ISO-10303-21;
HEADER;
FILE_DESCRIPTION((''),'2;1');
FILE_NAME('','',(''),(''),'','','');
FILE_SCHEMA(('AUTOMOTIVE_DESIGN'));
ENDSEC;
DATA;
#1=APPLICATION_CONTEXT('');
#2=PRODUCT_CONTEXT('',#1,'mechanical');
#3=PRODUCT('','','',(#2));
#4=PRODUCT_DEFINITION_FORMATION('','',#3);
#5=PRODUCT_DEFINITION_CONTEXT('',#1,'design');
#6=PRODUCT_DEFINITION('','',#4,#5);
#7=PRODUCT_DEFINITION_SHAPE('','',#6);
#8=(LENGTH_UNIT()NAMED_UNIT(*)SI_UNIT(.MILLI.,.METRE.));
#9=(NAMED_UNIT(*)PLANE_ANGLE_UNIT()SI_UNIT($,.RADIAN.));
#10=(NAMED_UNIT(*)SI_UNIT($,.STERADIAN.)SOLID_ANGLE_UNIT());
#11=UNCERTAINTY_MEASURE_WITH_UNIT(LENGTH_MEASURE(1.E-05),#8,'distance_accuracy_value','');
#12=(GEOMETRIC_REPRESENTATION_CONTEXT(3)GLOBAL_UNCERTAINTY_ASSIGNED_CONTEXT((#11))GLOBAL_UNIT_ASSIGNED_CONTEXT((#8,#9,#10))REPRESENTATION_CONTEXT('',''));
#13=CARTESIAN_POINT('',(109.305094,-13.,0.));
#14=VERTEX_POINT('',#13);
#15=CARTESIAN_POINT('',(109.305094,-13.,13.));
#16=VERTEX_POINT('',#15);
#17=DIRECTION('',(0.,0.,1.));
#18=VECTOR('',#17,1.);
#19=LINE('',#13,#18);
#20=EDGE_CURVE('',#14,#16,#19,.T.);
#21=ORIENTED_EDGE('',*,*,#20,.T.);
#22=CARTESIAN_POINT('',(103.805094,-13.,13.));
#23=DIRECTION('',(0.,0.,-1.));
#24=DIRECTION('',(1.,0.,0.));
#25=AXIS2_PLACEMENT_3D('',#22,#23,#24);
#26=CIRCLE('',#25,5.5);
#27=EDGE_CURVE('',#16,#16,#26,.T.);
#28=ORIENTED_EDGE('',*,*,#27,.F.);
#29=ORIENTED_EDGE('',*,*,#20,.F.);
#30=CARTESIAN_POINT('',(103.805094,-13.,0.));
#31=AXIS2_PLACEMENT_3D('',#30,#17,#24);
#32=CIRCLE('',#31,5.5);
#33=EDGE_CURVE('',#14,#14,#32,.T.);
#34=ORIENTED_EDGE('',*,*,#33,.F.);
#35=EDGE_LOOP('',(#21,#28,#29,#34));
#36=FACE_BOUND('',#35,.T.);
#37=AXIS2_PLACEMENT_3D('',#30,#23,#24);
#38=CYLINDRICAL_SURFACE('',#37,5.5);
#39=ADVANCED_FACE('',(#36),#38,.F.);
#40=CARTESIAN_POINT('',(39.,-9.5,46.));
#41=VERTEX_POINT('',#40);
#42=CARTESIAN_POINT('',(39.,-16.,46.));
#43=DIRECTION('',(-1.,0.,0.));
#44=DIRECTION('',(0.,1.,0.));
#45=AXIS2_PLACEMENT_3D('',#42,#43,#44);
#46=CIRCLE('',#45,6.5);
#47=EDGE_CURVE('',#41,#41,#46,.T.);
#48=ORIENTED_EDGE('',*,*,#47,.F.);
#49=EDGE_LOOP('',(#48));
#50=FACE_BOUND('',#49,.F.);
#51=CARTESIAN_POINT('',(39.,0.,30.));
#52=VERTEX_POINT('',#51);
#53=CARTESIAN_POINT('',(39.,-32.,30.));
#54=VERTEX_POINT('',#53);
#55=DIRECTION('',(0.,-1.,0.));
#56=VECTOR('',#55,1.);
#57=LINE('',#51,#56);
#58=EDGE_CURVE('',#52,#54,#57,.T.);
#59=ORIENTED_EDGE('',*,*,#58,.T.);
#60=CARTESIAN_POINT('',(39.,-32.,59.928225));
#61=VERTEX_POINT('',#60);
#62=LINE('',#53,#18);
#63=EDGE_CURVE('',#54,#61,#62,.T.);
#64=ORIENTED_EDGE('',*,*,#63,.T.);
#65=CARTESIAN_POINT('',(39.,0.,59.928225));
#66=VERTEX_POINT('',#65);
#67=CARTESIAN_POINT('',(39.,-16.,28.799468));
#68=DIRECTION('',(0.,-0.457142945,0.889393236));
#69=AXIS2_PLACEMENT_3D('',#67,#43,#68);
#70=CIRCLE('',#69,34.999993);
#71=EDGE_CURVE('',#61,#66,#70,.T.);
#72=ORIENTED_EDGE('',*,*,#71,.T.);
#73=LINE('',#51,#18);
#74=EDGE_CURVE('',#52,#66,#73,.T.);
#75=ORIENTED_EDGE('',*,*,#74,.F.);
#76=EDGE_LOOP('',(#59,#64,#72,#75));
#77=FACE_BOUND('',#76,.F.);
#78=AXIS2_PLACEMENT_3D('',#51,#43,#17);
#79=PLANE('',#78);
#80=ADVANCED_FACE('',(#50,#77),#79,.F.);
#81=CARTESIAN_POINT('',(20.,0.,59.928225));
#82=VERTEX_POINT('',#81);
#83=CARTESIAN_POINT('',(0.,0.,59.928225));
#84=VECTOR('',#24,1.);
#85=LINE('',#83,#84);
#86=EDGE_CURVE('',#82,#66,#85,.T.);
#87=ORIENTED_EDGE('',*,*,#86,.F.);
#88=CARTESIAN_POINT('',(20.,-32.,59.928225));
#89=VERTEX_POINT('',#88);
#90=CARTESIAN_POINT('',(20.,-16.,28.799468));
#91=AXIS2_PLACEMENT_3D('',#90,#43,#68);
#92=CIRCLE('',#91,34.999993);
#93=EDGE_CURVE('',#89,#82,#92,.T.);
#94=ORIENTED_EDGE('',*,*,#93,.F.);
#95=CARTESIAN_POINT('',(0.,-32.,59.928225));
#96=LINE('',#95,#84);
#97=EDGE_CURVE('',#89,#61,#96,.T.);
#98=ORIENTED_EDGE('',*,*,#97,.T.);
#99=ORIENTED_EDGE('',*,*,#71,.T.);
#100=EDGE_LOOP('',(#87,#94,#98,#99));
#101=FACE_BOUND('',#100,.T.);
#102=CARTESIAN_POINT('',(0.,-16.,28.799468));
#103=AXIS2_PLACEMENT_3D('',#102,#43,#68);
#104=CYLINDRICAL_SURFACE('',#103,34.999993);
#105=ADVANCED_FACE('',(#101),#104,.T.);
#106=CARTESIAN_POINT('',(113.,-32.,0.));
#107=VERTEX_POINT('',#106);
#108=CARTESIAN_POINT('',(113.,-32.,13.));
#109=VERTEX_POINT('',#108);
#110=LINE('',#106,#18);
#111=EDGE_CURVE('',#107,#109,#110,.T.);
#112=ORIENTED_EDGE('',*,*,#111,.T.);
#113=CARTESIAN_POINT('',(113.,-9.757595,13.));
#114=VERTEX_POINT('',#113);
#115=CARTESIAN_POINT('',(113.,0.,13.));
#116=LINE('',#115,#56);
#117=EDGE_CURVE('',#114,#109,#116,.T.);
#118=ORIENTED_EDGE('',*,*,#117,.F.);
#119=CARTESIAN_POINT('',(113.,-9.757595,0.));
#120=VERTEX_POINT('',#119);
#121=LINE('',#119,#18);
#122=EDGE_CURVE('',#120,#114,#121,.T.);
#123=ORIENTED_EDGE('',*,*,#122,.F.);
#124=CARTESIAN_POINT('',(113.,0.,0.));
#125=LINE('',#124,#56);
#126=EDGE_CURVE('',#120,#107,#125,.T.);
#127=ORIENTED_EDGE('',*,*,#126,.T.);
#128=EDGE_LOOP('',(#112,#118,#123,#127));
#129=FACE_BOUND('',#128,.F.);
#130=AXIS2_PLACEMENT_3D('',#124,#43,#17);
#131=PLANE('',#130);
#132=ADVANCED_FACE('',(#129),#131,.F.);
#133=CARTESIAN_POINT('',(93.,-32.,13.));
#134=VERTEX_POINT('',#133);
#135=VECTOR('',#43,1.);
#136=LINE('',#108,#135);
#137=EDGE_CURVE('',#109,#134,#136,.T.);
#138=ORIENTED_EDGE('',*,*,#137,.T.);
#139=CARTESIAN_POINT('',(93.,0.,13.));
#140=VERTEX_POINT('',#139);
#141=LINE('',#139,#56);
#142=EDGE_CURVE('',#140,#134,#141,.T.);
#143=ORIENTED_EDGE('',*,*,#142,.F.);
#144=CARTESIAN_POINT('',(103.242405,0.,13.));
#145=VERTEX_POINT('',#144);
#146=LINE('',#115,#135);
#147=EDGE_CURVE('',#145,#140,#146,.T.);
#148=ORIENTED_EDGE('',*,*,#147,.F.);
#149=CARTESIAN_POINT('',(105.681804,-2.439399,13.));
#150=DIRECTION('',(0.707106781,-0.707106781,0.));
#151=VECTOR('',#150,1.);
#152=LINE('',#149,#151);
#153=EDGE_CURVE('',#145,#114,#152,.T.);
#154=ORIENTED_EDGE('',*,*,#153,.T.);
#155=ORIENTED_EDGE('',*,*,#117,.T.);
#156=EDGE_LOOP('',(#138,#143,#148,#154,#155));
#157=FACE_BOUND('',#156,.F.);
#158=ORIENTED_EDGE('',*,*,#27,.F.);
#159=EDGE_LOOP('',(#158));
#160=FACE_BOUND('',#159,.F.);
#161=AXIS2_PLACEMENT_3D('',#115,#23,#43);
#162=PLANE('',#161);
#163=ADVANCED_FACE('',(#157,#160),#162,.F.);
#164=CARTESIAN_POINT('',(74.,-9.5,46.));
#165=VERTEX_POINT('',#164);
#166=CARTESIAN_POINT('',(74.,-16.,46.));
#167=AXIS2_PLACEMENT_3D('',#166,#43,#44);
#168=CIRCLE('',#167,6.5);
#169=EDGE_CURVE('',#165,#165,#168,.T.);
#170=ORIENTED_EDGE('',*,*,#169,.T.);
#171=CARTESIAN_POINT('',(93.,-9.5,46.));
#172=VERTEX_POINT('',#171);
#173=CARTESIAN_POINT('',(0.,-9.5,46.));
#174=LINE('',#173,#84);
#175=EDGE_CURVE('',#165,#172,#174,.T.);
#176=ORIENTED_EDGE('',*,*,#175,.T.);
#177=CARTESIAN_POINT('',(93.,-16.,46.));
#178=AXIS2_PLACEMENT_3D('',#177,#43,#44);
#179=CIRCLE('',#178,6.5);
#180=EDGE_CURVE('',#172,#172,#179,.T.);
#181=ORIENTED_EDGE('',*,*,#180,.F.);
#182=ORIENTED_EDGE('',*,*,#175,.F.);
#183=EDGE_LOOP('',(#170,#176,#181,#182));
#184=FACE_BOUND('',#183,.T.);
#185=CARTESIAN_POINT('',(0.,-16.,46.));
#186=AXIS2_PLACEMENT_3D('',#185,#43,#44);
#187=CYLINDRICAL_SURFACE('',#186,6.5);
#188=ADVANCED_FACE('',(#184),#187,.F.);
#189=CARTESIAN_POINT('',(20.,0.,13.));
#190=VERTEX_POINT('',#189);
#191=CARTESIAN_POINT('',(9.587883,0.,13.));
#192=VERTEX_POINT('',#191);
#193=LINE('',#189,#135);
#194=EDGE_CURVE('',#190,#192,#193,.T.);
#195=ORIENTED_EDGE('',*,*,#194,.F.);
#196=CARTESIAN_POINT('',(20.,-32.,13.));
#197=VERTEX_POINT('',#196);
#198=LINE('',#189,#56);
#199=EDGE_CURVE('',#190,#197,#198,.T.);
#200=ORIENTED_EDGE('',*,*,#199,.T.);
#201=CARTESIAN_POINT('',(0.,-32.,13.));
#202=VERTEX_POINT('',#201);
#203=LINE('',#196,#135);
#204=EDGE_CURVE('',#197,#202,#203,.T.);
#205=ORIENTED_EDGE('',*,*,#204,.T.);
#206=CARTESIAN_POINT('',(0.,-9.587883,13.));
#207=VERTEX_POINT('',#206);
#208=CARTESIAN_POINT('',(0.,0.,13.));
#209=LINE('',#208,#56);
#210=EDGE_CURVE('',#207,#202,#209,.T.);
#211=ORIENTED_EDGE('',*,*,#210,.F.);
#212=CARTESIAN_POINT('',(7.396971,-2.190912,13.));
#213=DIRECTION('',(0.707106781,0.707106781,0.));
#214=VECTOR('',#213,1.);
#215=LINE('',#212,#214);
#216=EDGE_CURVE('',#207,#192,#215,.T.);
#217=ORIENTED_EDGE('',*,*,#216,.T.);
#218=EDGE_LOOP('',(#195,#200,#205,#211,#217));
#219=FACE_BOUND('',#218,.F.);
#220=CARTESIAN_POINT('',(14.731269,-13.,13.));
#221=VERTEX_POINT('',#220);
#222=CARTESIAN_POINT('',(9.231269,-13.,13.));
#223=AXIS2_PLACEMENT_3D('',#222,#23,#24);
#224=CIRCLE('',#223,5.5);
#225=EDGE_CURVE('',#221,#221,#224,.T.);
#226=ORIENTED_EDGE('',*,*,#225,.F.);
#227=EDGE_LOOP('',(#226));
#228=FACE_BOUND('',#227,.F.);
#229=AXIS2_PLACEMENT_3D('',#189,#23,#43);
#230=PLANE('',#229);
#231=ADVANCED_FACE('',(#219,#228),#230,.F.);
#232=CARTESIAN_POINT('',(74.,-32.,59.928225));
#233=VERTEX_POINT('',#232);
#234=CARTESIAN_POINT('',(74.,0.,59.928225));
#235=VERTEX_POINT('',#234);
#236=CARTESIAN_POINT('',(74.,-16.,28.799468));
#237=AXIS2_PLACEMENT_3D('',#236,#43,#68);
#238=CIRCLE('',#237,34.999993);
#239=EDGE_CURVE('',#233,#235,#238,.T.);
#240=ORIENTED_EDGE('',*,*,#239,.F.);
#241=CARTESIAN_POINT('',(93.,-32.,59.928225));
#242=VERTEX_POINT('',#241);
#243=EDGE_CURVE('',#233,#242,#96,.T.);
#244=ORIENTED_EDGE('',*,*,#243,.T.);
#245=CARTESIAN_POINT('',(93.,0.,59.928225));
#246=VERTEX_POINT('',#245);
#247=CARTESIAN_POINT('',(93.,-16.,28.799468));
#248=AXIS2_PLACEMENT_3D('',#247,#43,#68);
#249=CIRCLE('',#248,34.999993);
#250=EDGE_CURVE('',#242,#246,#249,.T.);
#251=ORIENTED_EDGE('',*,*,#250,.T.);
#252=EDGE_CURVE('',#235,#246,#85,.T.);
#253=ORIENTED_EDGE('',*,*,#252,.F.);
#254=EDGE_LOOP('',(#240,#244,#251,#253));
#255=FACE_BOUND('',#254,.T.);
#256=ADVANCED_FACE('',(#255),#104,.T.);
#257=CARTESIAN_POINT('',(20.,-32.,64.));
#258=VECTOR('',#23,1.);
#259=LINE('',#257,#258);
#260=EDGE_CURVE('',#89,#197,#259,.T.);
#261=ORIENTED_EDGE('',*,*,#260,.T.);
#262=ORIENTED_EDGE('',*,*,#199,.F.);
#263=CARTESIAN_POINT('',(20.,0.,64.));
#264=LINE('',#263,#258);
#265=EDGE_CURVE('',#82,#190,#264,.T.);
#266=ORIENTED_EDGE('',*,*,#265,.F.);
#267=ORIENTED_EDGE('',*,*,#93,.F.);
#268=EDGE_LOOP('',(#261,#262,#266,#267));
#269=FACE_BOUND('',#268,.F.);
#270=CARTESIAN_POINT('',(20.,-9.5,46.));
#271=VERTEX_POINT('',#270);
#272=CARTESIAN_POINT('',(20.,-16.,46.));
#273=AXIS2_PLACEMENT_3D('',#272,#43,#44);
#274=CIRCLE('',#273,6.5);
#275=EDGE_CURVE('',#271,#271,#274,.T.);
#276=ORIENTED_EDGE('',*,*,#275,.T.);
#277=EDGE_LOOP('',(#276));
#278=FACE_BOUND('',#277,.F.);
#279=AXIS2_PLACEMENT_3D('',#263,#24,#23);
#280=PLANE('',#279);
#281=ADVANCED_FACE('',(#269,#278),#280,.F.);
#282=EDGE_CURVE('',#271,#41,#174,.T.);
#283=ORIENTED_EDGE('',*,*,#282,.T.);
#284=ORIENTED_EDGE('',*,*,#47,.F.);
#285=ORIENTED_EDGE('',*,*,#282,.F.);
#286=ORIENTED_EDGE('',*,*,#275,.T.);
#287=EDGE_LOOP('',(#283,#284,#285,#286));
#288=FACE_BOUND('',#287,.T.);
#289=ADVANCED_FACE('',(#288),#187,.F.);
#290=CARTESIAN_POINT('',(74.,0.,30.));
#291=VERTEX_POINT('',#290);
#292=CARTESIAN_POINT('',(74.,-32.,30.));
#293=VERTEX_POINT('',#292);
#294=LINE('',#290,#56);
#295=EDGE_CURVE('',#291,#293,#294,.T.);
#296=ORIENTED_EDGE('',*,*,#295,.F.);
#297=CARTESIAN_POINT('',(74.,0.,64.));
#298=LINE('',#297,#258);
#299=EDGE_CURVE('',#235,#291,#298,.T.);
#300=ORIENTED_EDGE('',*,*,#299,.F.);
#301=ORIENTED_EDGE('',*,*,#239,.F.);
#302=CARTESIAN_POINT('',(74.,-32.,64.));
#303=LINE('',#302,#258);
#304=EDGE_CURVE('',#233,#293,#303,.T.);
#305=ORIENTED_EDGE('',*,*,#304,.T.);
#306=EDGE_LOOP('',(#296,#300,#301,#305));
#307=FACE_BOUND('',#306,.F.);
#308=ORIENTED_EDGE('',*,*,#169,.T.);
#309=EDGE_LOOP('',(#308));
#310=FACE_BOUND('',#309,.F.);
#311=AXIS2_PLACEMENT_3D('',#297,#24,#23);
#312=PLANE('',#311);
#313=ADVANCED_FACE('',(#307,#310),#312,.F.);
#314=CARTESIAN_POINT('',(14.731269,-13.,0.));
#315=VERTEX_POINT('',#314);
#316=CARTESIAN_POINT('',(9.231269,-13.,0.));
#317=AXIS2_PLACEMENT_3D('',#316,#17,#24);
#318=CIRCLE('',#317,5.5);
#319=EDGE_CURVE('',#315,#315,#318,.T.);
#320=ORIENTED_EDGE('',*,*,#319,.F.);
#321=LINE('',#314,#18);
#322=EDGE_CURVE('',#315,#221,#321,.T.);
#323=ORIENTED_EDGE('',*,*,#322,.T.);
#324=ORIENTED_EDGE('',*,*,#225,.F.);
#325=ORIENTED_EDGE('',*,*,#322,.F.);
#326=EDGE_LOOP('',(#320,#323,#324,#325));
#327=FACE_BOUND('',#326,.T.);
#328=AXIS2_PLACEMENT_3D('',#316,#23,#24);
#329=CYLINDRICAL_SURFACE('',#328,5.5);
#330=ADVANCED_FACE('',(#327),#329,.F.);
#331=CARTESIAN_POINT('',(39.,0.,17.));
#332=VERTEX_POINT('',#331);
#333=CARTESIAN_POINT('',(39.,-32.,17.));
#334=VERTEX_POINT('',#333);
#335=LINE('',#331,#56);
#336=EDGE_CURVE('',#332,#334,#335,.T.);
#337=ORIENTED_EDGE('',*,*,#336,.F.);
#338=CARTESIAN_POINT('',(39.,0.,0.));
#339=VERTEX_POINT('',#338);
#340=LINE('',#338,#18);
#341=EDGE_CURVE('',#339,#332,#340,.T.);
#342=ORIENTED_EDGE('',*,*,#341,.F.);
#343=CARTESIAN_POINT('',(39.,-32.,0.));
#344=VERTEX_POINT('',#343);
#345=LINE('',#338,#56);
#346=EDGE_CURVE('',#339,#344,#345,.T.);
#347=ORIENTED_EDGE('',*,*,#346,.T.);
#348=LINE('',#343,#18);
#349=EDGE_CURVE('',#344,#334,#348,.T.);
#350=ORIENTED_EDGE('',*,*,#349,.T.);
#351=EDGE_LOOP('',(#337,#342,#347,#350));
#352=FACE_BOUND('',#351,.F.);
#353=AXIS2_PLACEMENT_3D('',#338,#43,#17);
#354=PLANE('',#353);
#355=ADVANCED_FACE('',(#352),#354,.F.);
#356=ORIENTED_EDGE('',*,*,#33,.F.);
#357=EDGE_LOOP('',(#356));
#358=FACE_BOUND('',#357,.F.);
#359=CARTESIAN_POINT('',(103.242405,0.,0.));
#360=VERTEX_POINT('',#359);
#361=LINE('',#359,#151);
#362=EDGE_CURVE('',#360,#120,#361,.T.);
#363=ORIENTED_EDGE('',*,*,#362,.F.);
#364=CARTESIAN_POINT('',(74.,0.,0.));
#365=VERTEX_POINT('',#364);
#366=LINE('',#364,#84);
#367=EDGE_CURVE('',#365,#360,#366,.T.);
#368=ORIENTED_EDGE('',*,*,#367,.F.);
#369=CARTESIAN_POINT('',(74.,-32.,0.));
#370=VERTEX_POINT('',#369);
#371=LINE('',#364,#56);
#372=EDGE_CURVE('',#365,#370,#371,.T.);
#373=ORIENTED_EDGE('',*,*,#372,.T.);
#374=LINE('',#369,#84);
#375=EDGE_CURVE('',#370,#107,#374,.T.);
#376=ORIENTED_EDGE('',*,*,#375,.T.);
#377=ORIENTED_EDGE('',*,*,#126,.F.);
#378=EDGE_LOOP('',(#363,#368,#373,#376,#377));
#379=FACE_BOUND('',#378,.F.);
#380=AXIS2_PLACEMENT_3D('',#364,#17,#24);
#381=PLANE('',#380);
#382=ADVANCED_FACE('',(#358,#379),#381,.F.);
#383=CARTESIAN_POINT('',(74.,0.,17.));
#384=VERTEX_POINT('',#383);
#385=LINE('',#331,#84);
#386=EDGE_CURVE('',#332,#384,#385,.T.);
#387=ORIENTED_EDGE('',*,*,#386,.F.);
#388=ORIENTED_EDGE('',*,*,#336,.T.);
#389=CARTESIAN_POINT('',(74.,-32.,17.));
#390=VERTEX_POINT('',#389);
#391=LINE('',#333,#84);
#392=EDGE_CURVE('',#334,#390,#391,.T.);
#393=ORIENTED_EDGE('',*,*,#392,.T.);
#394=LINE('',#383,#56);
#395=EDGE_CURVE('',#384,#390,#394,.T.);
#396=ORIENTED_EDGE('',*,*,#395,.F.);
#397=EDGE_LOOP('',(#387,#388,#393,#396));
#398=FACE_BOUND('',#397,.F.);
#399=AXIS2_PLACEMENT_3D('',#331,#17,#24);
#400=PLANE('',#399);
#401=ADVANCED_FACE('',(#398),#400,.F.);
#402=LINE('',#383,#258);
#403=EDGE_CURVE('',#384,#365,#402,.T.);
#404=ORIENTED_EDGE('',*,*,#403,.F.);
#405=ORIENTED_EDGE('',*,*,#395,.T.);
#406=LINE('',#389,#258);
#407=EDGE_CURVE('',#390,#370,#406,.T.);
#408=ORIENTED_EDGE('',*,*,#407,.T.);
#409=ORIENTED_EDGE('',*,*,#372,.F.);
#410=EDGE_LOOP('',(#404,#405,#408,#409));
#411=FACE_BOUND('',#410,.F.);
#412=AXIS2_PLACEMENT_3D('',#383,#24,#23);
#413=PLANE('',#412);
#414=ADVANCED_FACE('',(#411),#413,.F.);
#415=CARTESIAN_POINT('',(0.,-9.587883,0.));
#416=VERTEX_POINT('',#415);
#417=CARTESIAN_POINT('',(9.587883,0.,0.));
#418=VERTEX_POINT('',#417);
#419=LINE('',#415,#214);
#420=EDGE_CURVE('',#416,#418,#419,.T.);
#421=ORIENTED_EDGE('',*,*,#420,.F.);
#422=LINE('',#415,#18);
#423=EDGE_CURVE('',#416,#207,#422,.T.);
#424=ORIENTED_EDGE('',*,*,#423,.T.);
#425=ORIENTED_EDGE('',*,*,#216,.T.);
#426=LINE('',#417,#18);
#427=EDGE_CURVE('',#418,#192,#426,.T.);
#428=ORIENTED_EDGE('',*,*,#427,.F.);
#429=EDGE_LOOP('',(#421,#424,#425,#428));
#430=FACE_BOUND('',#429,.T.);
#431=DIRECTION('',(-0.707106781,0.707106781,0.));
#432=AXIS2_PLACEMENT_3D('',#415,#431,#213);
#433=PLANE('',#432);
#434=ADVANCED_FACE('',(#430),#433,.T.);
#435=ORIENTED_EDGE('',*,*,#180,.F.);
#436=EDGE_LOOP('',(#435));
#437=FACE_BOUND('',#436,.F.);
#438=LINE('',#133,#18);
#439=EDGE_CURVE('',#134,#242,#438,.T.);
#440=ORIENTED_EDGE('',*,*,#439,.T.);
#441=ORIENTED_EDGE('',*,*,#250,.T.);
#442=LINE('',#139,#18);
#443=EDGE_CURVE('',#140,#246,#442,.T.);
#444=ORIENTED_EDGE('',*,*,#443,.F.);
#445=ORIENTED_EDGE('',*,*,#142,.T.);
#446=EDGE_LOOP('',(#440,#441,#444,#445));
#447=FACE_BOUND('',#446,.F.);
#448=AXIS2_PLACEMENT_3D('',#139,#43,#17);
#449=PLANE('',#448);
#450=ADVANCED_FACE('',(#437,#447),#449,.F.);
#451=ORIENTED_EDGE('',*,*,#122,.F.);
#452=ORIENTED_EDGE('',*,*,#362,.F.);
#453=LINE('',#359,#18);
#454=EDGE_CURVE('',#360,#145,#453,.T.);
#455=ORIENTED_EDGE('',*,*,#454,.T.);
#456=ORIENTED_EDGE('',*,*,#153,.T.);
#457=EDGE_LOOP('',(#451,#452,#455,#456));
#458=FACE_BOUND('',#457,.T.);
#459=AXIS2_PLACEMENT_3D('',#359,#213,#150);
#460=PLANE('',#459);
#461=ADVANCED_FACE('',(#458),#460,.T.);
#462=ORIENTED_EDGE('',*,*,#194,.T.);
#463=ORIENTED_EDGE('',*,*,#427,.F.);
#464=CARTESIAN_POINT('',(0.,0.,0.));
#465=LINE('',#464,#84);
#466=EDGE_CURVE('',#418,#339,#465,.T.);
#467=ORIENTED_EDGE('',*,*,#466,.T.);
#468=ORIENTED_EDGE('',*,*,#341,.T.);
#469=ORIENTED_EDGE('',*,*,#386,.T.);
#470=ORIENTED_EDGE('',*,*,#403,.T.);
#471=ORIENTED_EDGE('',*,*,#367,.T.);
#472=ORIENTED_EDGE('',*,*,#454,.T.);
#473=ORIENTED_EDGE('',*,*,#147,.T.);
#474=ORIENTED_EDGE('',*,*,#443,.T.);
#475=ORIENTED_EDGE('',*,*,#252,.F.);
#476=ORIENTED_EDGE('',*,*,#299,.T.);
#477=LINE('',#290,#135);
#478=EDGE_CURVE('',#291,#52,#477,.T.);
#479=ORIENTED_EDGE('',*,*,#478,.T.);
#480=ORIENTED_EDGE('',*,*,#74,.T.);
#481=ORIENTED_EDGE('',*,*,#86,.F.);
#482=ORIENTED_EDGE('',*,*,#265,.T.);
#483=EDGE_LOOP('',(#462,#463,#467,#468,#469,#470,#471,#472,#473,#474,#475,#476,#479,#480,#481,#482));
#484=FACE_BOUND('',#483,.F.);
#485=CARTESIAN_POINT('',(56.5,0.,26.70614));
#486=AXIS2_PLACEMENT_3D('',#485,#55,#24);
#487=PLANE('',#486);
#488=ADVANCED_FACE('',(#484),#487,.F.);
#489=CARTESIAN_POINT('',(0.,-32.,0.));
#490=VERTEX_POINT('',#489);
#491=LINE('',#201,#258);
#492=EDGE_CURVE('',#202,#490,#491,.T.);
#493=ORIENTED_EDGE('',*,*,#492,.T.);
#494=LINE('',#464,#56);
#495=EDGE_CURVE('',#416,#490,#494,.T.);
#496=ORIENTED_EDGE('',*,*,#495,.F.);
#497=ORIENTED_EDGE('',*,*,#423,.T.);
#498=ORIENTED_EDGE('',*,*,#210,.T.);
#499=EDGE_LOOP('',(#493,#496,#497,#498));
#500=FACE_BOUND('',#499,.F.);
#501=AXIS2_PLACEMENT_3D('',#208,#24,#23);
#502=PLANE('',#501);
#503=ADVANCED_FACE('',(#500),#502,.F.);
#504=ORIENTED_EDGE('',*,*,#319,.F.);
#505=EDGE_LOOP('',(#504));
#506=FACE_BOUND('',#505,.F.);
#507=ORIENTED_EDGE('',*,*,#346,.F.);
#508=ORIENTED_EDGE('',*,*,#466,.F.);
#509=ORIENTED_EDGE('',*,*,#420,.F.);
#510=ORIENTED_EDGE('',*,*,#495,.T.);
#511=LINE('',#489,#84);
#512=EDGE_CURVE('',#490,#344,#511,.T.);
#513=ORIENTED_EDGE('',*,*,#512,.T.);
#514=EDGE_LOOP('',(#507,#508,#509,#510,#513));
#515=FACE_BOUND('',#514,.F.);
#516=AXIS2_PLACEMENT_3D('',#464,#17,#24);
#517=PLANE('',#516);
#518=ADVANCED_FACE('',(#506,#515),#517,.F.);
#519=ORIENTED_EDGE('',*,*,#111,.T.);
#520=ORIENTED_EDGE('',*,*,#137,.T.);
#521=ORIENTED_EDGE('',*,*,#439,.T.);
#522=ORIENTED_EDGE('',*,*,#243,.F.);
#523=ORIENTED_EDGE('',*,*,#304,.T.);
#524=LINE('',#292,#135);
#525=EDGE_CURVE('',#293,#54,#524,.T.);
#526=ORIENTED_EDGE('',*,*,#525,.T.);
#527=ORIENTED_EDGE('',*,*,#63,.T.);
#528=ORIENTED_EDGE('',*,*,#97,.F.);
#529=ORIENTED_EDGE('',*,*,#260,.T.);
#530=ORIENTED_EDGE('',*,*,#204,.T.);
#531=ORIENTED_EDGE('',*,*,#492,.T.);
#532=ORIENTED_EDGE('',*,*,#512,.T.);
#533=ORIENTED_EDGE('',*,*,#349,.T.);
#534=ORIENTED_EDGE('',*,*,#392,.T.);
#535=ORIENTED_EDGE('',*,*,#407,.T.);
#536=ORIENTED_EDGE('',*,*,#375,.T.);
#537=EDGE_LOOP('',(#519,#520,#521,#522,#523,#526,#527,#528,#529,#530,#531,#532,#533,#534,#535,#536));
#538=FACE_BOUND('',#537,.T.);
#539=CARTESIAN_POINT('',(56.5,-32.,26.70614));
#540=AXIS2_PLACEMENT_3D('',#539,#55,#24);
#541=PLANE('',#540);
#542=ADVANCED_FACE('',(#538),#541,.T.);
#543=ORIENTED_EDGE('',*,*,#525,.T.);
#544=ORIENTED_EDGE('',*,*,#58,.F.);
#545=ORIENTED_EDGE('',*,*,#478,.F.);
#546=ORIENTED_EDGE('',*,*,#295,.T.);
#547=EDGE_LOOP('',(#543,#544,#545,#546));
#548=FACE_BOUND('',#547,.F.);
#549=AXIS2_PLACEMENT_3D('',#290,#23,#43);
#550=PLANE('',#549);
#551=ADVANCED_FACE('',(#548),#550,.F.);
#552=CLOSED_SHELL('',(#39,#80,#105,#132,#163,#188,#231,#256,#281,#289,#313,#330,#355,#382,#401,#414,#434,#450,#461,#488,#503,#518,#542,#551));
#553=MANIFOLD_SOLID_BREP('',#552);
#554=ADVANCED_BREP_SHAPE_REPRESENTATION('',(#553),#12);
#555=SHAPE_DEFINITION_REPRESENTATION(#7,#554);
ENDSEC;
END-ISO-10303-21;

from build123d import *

# Parameters (mm, degrees)
F1_DEPTH = 32
F2_R     = 5.5
F3_DEPTH = 25
F4_R     = 6.5
F5_DEPTH = 113.001


with BuildPart() as f1:
    # F0 (on Front) → F1 (new body)
    with BuildSketch(Plane.XZ):
        Polygon((0, 13), (0, 0), (39, 0), (39, 17), (74, 17), (74, 0), (113, 0), (113, 13), (93, 13), (93, 64), (74, 64), (74, 30), (39, 30), (39, 64), (20, 64), (20, 13), align=None)
    extrude(amount=F1_DEPTH)

    # F2 (on Top) → F3 (cut)
    with BuildSketch(Plane.XY):
        with Locations((9.231269, -13)):
            Circle(F2_R)
        with Locations((103.805094, -13)):
            Circle(F2_R)
        Polygon((9.587883, 0), (0, 0), (0, -9.587883), align=None)
        Polygon((113, -9.757595), (113, 0), (103.242405, 0), align=None)
    extrude(amount=F3_DEPTH, mode=Mode.SUBTRACT)

    # F4 (on Right) → F5 (cut, through all)
    with BuildSketch(Plane.YZ):
        with Locations((-16, 46)):
            Circle(F4_R)
        with BuildLine():
            ThreePointArc((-32, 59.928225), (-16, 63.799461), (0, 59.928225))
            Line((0, 59.928225), (0, 64))
            Line((0, 64), (-32, 64))
            Line((-32, 64), (-32, 59.928225))
        make_face()
    extrude(amount=F5_DEPTH, mode=Mode.SUBTRACT)


solid = f1.part
